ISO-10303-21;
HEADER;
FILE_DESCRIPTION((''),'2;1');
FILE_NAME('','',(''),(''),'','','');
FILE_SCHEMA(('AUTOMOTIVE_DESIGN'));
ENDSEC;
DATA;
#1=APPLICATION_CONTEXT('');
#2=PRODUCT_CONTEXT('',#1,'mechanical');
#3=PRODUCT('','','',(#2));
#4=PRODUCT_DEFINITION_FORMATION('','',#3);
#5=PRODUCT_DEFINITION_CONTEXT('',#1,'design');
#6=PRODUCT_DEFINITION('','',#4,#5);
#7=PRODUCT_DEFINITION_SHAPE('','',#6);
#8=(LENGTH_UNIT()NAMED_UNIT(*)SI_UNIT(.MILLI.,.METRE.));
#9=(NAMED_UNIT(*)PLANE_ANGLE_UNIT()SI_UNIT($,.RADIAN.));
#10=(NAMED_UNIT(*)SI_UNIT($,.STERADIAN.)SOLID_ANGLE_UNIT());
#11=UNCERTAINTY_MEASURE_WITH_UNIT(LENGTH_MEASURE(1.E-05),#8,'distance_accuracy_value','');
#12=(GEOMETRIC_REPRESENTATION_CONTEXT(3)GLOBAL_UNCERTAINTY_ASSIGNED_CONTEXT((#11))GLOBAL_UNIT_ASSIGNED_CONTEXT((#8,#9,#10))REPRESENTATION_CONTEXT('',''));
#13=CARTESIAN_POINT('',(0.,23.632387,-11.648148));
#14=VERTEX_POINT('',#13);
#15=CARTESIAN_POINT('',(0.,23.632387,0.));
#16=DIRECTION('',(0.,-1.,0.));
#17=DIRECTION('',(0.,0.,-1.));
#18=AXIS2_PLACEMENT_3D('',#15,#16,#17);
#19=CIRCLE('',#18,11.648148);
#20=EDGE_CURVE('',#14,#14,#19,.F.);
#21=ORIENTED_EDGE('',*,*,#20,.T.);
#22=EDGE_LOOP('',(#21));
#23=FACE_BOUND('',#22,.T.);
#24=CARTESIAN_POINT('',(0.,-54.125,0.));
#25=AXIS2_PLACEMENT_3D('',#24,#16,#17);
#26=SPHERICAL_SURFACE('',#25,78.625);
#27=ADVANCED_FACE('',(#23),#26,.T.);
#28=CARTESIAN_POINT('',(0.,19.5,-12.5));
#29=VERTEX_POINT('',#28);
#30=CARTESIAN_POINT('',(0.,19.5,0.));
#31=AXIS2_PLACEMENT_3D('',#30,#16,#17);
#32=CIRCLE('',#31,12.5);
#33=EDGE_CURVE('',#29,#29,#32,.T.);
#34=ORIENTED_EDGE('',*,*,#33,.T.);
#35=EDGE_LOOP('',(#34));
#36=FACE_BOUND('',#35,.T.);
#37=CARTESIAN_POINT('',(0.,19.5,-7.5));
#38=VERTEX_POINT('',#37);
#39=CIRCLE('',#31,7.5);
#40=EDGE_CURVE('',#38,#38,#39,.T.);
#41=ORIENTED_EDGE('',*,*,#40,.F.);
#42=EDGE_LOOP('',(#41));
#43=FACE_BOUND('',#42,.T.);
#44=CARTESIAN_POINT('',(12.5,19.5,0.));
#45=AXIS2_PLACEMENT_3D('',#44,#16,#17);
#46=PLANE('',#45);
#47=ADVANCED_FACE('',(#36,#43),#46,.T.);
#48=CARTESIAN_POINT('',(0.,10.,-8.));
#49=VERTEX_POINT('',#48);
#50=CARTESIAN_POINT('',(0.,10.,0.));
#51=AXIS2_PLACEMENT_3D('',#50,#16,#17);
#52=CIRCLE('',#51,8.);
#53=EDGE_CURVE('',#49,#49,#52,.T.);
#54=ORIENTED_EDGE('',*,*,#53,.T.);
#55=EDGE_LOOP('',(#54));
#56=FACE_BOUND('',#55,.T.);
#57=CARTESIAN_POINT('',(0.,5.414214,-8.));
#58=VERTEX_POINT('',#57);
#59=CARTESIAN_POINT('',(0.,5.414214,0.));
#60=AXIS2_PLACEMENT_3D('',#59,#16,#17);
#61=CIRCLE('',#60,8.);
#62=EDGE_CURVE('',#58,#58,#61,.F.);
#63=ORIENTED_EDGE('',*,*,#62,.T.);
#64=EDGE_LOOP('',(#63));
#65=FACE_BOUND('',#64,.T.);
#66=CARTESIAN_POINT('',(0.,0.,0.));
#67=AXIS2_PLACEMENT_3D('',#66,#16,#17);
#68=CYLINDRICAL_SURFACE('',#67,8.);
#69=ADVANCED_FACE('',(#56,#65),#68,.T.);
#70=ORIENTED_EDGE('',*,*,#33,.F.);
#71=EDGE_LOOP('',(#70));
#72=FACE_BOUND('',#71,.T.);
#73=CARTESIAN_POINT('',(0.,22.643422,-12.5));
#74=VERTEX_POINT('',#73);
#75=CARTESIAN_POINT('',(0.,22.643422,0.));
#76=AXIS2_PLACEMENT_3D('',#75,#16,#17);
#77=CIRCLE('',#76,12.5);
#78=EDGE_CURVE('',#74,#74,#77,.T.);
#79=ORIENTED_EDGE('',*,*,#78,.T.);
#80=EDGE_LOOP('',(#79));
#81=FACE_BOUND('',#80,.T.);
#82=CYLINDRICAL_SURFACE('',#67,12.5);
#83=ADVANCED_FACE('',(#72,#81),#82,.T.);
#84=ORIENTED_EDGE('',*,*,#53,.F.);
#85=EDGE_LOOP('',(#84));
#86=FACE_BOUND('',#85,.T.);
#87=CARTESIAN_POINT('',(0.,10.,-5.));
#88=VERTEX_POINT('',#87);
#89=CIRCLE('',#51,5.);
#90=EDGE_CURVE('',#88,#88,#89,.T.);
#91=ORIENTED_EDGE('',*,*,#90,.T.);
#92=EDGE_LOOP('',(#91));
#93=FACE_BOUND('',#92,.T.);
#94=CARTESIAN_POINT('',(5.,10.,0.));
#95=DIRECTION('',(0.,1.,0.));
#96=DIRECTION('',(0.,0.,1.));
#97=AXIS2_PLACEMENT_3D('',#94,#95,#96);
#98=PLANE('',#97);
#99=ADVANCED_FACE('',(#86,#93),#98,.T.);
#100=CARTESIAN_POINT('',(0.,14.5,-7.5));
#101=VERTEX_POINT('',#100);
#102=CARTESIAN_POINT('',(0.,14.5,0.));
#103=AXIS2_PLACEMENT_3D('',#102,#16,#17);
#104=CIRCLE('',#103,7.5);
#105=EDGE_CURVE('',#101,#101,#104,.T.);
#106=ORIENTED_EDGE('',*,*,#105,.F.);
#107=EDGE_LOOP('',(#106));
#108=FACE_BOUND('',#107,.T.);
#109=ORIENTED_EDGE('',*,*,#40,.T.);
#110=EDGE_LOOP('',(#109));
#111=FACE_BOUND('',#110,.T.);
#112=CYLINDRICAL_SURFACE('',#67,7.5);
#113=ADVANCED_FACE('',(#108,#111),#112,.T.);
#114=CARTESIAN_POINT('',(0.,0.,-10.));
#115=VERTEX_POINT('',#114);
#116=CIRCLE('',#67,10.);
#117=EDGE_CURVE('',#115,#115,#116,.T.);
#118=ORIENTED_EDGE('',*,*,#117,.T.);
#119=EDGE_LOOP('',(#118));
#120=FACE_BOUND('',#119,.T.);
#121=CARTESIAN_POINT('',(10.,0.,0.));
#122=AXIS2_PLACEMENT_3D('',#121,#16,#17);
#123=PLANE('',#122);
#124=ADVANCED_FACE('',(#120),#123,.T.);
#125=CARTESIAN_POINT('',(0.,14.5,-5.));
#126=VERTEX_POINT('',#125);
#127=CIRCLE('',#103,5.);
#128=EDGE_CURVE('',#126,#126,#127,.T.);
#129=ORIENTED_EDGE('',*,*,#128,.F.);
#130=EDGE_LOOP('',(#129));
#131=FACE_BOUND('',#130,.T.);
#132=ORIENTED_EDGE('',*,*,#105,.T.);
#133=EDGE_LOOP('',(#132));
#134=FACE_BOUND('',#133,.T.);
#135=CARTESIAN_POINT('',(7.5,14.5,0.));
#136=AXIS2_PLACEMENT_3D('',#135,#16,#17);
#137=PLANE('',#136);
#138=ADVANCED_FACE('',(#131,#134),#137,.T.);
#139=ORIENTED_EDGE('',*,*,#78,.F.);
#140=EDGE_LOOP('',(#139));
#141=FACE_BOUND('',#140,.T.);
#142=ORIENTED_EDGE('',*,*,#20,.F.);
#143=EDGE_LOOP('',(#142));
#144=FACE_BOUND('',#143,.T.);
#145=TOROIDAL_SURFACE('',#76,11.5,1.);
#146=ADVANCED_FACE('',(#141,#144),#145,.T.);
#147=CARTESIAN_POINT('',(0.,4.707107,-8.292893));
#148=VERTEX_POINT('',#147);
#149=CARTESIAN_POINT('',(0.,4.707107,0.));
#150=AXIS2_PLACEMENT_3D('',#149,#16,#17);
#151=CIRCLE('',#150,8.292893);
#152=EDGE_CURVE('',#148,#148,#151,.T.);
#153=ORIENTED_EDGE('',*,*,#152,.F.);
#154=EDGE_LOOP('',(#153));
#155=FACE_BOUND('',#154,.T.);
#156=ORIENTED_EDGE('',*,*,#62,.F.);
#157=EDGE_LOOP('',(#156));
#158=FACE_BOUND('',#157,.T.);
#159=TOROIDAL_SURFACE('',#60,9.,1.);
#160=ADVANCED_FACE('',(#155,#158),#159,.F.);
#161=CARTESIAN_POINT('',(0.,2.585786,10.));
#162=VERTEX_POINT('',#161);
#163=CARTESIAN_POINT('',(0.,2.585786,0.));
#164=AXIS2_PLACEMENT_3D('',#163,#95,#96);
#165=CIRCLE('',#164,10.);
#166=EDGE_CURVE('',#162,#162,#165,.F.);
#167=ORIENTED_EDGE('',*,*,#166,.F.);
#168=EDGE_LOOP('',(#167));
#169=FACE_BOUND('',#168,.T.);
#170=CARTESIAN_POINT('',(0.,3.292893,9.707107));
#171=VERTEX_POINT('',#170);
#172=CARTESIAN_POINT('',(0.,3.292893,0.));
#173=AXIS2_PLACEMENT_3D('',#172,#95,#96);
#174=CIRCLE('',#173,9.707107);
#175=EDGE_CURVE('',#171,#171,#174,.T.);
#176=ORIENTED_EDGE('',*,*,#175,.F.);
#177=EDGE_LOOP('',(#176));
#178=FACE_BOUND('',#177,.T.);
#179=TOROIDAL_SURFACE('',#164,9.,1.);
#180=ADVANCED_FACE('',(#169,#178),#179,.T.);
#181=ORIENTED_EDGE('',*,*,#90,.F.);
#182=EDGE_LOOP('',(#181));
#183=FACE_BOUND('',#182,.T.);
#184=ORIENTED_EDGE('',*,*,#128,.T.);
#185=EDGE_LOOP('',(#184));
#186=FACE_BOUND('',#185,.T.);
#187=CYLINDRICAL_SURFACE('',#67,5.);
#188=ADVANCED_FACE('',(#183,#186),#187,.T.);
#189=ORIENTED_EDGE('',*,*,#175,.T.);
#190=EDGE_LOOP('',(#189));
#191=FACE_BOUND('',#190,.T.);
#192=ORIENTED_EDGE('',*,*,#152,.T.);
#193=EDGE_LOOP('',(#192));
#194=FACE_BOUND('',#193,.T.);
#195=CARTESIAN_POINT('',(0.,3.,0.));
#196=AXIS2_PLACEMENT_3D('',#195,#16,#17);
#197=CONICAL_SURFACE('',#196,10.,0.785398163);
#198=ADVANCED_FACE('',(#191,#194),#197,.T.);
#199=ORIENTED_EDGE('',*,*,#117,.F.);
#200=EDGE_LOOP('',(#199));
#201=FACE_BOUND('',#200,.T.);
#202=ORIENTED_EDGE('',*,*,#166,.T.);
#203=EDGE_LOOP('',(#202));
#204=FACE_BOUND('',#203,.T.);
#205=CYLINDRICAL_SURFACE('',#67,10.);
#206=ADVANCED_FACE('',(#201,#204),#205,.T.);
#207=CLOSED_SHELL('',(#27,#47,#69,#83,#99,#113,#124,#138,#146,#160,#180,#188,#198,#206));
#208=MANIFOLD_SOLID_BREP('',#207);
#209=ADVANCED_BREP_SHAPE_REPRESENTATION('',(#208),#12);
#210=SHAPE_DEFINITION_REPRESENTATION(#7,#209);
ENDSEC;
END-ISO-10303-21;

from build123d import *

# Parameters (mm, degrees)
DOME1_FACE_RADIUS = 12.5
DOME1_HEIGHT      = 1
FILLET1_R         = 1


with BuildPart() as part:
    # Sketch1 → Revolve1 (revolve)
    with BuildSketch(Plane.XY, mode=Mode.PRIVATE) as revolve1_sk:
        Polygon((0, 23.5), (12.5, 23.5), (12.5, 19.5), (7.5, 19.5), (7.5, 14.5), (5, 14.5), (5, 10), (8, 10), (8, 5), (10, 3), (10, 0), (0, 0), align=None)
    revolve(revolve1_sk.sketch.rotate(Axis((0, 0, 0), (0, 1, 0)), 90), axis=Axis((0, 0, 0), (0, 1, 0)))

    # Dome1: a dome of height H over a round flat face of radius A is a cap of a sphere of radius (A * A + H * H) / (2 * H)
    dome1_r = (DOME1_FACE_RADIUS * DOME1_FACE_RADIUS + DOME1_HEIGHT * DOME1_HEIGHT) / (2 * DOME1_HEIGHT)
    dome1_base = Plane((0, 23.5, 0), z_dir=(0, 1, 0))
    with Locations(dome1_base.offset(DOME1_HEIGHT - dome1_r)):
        dome1_ball = Sphere(dome1_r, mode=Mode.PRIVATE)
    add(split(dome1_ball, bisect_by=dome1_base, keep=Keep.TOP, mode=Mode.PRIVATE))

    # Fillet1
    fillet1_edges = [part.edges().sort_by_distance(p)[0] for p in [
        (12.5, 23.5, 0),
        (0, 3, 10),
        (0, 5, 8),
    ]]
    fillet(fillet1_edges, radius=FILLET1_R)


solid = part.part
